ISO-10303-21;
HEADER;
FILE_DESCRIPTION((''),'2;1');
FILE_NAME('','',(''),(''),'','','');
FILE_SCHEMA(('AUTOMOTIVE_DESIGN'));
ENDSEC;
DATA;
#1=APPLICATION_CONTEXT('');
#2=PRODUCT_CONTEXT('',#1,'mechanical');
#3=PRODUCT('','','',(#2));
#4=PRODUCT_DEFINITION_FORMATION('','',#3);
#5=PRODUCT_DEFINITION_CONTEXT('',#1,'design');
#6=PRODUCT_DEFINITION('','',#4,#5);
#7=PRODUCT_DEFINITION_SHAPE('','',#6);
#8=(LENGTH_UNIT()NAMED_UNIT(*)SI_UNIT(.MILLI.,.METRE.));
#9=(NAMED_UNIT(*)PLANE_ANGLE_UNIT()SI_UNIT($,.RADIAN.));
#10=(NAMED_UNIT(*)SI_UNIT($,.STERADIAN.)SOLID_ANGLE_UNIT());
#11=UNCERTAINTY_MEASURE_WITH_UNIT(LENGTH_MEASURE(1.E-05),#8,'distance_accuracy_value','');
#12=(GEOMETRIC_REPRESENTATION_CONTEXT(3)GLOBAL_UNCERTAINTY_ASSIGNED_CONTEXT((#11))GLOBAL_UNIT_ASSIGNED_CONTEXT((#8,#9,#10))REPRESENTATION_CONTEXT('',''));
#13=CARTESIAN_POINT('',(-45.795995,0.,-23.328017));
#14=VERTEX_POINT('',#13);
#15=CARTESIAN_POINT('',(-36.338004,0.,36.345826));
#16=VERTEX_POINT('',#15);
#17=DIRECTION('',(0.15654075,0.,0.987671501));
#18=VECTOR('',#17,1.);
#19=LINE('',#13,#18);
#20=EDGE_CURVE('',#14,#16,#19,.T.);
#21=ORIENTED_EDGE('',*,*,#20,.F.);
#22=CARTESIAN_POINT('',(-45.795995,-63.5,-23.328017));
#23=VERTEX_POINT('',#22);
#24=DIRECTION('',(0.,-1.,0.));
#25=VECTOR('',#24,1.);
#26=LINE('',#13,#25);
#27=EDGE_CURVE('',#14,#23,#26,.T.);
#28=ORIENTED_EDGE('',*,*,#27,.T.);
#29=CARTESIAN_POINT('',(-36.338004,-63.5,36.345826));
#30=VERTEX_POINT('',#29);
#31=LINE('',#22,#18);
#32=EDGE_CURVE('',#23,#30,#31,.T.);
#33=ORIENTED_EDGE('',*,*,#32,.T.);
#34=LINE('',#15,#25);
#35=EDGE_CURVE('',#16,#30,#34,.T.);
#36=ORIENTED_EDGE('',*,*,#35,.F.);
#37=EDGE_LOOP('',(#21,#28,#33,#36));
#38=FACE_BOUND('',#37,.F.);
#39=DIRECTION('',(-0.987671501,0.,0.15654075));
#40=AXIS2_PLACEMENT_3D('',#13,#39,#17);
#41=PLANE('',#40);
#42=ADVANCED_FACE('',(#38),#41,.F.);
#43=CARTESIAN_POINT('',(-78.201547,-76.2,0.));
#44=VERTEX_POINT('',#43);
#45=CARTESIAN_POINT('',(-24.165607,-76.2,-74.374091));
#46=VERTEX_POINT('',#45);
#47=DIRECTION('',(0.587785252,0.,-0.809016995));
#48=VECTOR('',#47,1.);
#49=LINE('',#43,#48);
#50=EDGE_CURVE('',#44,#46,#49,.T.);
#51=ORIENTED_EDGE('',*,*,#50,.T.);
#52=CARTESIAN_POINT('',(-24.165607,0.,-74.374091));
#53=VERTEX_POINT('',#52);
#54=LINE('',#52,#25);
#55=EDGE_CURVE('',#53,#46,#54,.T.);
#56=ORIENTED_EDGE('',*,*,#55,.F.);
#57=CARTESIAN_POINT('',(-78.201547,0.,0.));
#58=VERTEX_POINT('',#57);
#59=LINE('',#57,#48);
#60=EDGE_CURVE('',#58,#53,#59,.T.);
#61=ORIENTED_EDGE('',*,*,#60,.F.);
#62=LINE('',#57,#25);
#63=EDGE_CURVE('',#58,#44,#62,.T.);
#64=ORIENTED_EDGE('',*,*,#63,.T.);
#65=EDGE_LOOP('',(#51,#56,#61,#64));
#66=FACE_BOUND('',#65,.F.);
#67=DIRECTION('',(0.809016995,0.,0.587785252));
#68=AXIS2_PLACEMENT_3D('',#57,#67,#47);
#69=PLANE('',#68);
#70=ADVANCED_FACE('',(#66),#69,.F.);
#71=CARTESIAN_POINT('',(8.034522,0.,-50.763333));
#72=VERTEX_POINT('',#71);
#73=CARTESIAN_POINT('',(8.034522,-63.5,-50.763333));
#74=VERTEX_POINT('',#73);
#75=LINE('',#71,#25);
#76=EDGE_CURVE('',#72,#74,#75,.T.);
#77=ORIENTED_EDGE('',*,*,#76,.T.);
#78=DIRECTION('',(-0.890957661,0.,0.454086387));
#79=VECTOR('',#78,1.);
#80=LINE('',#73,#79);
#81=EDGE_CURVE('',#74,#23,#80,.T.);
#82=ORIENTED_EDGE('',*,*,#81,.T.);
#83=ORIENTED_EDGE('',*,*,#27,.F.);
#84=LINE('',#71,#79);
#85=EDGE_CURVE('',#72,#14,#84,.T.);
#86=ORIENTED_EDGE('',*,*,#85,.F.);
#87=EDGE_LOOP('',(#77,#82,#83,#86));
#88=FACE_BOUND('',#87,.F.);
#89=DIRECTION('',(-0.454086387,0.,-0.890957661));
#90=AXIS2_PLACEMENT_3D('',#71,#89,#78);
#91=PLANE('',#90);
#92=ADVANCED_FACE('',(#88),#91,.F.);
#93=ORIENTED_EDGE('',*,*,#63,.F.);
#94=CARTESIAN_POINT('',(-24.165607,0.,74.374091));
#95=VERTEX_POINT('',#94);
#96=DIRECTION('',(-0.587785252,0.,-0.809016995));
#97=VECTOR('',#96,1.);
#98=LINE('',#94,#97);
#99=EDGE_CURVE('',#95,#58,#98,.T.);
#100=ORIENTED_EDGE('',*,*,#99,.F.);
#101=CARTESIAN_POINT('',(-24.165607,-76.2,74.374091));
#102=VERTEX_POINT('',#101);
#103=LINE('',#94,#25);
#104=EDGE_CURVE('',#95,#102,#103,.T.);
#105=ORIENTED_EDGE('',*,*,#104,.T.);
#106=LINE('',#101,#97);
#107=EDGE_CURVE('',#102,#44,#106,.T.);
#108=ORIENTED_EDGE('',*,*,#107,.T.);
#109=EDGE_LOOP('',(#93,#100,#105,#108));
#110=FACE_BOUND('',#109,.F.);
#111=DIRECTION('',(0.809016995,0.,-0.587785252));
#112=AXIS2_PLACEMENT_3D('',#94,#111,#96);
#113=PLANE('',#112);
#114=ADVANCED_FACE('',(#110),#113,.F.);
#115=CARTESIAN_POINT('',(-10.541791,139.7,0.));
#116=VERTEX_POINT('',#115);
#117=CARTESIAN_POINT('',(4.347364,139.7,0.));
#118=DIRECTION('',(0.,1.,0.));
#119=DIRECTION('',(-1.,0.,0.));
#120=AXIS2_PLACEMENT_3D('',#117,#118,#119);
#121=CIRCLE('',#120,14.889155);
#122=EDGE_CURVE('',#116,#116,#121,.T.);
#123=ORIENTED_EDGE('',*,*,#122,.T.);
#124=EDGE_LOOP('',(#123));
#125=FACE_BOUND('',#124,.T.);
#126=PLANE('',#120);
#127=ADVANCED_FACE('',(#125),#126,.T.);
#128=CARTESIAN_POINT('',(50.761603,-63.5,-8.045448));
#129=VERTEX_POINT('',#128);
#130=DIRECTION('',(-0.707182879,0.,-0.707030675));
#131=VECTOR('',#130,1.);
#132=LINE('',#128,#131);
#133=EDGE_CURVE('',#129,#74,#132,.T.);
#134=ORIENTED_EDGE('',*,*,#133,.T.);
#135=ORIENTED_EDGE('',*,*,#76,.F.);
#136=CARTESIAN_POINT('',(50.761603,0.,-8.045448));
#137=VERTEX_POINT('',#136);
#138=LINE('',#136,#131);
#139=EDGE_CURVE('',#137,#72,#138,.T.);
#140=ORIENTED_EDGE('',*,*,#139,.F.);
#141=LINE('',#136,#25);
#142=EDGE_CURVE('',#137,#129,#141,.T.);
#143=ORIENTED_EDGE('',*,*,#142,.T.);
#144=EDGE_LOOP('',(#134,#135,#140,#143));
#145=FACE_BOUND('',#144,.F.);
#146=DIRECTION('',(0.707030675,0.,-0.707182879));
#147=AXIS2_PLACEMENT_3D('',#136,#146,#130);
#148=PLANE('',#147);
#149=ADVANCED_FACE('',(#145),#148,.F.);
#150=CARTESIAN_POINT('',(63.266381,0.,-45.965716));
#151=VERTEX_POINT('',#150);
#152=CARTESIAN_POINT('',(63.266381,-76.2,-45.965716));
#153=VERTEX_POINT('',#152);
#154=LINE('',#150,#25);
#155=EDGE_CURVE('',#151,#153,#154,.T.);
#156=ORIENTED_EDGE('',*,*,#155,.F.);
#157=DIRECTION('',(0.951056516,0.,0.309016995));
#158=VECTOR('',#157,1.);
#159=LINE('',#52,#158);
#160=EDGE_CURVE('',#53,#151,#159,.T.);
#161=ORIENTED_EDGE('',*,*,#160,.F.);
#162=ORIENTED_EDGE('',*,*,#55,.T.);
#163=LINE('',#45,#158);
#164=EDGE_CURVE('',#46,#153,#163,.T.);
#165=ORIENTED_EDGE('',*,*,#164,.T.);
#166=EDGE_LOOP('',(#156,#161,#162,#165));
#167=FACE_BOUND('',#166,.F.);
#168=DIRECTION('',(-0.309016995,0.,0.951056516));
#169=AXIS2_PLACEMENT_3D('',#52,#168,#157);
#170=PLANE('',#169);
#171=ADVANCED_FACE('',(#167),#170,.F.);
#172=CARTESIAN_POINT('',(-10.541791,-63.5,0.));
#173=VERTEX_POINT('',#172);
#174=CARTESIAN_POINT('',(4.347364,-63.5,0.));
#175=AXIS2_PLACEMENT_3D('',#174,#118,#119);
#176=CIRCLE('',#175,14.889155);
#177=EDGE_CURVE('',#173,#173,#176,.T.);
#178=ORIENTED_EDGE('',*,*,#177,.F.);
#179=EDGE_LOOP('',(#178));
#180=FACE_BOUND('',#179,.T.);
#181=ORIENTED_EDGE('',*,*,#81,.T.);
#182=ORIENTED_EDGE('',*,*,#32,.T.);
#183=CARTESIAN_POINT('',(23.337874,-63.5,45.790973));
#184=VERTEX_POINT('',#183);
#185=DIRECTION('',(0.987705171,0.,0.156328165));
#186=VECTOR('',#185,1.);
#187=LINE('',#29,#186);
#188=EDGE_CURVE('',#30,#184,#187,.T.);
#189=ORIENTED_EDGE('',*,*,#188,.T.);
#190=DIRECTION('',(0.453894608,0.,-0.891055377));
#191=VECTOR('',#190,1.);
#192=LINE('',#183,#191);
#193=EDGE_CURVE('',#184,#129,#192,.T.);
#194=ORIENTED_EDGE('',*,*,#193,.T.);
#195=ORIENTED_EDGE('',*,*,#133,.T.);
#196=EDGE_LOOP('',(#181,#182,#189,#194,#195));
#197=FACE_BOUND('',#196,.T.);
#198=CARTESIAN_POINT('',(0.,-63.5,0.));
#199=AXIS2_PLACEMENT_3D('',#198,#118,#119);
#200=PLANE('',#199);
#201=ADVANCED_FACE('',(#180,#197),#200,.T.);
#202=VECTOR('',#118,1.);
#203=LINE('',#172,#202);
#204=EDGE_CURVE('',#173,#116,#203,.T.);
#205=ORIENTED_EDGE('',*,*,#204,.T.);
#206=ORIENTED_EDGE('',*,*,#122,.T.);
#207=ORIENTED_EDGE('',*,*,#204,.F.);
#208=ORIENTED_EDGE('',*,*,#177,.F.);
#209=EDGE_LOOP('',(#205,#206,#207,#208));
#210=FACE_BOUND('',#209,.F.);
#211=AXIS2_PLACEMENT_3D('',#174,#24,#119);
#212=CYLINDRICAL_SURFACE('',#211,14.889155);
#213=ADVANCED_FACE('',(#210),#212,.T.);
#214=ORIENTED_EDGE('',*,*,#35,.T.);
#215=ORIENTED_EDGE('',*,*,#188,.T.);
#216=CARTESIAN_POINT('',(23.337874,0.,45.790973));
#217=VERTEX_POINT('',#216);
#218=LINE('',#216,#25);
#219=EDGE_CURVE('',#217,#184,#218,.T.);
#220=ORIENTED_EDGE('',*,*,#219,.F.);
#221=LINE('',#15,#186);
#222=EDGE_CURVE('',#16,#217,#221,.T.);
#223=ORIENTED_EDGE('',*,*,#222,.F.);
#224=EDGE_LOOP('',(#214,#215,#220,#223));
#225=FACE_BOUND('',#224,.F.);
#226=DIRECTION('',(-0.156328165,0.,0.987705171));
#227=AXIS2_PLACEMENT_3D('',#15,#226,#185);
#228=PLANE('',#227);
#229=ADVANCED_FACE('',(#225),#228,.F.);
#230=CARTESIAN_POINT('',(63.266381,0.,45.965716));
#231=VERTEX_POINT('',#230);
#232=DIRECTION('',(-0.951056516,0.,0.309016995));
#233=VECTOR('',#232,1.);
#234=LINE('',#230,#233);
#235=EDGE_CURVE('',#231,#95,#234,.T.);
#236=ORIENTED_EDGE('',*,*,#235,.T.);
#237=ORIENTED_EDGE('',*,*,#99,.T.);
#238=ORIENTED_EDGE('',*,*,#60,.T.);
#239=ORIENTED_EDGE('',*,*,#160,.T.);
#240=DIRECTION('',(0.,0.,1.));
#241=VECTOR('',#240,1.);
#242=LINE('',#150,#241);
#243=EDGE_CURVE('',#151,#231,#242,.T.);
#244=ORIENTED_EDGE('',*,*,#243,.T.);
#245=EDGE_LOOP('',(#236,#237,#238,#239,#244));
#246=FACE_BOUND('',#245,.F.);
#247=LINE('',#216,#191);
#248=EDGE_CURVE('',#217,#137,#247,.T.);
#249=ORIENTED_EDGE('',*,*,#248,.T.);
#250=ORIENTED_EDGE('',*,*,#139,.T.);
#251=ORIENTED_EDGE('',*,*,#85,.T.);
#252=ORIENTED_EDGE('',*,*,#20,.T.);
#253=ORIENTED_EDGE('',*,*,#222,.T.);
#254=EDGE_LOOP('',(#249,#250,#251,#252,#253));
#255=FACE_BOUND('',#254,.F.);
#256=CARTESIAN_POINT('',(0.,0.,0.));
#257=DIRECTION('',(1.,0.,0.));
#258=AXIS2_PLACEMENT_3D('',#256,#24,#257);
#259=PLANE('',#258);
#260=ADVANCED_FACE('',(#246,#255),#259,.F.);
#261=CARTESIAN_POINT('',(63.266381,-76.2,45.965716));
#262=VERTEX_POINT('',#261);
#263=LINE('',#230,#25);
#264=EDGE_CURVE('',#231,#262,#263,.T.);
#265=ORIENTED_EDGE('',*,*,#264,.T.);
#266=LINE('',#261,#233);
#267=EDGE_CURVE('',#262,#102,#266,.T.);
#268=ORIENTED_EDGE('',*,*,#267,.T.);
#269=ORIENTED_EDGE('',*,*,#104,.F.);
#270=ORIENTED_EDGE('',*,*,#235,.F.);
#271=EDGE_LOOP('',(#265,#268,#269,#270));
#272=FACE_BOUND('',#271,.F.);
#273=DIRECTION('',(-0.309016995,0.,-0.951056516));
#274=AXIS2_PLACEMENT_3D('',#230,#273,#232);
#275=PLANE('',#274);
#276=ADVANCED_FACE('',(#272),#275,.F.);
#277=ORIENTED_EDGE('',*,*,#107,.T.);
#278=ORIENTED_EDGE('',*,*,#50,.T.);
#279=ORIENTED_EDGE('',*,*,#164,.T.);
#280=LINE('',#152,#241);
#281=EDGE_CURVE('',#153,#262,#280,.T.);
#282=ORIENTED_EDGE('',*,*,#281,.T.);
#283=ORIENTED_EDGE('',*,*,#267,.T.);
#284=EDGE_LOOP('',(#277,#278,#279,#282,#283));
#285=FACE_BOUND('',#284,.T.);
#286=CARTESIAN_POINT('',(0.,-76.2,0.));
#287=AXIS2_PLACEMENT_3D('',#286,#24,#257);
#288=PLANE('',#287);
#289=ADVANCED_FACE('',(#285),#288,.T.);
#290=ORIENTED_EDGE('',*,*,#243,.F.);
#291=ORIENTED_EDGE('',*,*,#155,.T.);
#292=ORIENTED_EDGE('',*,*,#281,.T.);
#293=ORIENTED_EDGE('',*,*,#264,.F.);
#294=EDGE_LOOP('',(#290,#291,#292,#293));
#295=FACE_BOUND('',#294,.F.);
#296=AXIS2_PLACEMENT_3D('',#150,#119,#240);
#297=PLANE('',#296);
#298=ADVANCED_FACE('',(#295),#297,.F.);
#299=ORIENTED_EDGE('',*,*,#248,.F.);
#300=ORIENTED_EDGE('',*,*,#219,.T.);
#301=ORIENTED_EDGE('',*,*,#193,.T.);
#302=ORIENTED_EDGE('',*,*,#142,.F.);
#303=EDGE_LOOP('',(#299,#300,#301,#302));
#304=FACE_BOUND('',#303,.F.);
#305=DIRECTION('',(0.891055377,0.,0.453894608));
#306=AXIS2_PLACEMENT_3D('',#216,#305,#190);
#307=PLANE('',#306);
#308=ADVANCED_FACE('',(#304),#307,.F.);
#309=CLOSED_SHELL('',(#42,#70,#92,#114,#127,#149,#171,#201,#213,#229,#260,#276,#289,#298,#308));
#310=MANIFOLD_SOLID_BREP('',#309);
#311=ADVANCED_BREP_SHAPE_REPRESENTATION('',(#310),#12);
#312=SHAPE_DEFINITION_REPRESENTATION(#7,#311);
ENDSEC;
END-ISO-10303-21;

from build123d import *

# Parameters (mm, degrees)
F1_DEPTH = 76.2
F3_DEPTH = 63.5
F4_R     = 14.889155
F5_DEPTH = 203.2


with BuildPart() as f1:
    # F0 (on Front) → F1 (new body)
    with BuildSketch(Plane.XZ):
        Polygon((-24.165607, 74.374091), (-78.201547, 0), (-24.165607, -74.374091), (63.266381, -45.965716), (63.266381, 45.965716), align=None)
    extrude(amount=F1_DEPTH)

    # F2 (on face) → F3 (cut)
    with BuildSketch(Plane(origin=(0, 0, 0), x_dir=(-1, 0, 0), z_dir=(0, 1, 0))):
        Polygon((-23.337874, 45.790973), (-50.761603, -8.045448), (-8.034522, -50.763333), (45.795995, -23.328017), (36.338004, 36.345826), align=None)
    extrude(amount=-F3_DEPTH, mode=Mode.SUBTRACT)

    # F4 (on face) → F5 (join)
    with BuildSketch(Plane(origin=(0, -63.5, 0), x_dir=(-1, 0, 0), z_dir=(0, 1, 0))):
        with Locations((-4.347364, 0)):
            Circle(F4_R)
    extrude(amount=F5_DEPTH)


solid = f1.part
